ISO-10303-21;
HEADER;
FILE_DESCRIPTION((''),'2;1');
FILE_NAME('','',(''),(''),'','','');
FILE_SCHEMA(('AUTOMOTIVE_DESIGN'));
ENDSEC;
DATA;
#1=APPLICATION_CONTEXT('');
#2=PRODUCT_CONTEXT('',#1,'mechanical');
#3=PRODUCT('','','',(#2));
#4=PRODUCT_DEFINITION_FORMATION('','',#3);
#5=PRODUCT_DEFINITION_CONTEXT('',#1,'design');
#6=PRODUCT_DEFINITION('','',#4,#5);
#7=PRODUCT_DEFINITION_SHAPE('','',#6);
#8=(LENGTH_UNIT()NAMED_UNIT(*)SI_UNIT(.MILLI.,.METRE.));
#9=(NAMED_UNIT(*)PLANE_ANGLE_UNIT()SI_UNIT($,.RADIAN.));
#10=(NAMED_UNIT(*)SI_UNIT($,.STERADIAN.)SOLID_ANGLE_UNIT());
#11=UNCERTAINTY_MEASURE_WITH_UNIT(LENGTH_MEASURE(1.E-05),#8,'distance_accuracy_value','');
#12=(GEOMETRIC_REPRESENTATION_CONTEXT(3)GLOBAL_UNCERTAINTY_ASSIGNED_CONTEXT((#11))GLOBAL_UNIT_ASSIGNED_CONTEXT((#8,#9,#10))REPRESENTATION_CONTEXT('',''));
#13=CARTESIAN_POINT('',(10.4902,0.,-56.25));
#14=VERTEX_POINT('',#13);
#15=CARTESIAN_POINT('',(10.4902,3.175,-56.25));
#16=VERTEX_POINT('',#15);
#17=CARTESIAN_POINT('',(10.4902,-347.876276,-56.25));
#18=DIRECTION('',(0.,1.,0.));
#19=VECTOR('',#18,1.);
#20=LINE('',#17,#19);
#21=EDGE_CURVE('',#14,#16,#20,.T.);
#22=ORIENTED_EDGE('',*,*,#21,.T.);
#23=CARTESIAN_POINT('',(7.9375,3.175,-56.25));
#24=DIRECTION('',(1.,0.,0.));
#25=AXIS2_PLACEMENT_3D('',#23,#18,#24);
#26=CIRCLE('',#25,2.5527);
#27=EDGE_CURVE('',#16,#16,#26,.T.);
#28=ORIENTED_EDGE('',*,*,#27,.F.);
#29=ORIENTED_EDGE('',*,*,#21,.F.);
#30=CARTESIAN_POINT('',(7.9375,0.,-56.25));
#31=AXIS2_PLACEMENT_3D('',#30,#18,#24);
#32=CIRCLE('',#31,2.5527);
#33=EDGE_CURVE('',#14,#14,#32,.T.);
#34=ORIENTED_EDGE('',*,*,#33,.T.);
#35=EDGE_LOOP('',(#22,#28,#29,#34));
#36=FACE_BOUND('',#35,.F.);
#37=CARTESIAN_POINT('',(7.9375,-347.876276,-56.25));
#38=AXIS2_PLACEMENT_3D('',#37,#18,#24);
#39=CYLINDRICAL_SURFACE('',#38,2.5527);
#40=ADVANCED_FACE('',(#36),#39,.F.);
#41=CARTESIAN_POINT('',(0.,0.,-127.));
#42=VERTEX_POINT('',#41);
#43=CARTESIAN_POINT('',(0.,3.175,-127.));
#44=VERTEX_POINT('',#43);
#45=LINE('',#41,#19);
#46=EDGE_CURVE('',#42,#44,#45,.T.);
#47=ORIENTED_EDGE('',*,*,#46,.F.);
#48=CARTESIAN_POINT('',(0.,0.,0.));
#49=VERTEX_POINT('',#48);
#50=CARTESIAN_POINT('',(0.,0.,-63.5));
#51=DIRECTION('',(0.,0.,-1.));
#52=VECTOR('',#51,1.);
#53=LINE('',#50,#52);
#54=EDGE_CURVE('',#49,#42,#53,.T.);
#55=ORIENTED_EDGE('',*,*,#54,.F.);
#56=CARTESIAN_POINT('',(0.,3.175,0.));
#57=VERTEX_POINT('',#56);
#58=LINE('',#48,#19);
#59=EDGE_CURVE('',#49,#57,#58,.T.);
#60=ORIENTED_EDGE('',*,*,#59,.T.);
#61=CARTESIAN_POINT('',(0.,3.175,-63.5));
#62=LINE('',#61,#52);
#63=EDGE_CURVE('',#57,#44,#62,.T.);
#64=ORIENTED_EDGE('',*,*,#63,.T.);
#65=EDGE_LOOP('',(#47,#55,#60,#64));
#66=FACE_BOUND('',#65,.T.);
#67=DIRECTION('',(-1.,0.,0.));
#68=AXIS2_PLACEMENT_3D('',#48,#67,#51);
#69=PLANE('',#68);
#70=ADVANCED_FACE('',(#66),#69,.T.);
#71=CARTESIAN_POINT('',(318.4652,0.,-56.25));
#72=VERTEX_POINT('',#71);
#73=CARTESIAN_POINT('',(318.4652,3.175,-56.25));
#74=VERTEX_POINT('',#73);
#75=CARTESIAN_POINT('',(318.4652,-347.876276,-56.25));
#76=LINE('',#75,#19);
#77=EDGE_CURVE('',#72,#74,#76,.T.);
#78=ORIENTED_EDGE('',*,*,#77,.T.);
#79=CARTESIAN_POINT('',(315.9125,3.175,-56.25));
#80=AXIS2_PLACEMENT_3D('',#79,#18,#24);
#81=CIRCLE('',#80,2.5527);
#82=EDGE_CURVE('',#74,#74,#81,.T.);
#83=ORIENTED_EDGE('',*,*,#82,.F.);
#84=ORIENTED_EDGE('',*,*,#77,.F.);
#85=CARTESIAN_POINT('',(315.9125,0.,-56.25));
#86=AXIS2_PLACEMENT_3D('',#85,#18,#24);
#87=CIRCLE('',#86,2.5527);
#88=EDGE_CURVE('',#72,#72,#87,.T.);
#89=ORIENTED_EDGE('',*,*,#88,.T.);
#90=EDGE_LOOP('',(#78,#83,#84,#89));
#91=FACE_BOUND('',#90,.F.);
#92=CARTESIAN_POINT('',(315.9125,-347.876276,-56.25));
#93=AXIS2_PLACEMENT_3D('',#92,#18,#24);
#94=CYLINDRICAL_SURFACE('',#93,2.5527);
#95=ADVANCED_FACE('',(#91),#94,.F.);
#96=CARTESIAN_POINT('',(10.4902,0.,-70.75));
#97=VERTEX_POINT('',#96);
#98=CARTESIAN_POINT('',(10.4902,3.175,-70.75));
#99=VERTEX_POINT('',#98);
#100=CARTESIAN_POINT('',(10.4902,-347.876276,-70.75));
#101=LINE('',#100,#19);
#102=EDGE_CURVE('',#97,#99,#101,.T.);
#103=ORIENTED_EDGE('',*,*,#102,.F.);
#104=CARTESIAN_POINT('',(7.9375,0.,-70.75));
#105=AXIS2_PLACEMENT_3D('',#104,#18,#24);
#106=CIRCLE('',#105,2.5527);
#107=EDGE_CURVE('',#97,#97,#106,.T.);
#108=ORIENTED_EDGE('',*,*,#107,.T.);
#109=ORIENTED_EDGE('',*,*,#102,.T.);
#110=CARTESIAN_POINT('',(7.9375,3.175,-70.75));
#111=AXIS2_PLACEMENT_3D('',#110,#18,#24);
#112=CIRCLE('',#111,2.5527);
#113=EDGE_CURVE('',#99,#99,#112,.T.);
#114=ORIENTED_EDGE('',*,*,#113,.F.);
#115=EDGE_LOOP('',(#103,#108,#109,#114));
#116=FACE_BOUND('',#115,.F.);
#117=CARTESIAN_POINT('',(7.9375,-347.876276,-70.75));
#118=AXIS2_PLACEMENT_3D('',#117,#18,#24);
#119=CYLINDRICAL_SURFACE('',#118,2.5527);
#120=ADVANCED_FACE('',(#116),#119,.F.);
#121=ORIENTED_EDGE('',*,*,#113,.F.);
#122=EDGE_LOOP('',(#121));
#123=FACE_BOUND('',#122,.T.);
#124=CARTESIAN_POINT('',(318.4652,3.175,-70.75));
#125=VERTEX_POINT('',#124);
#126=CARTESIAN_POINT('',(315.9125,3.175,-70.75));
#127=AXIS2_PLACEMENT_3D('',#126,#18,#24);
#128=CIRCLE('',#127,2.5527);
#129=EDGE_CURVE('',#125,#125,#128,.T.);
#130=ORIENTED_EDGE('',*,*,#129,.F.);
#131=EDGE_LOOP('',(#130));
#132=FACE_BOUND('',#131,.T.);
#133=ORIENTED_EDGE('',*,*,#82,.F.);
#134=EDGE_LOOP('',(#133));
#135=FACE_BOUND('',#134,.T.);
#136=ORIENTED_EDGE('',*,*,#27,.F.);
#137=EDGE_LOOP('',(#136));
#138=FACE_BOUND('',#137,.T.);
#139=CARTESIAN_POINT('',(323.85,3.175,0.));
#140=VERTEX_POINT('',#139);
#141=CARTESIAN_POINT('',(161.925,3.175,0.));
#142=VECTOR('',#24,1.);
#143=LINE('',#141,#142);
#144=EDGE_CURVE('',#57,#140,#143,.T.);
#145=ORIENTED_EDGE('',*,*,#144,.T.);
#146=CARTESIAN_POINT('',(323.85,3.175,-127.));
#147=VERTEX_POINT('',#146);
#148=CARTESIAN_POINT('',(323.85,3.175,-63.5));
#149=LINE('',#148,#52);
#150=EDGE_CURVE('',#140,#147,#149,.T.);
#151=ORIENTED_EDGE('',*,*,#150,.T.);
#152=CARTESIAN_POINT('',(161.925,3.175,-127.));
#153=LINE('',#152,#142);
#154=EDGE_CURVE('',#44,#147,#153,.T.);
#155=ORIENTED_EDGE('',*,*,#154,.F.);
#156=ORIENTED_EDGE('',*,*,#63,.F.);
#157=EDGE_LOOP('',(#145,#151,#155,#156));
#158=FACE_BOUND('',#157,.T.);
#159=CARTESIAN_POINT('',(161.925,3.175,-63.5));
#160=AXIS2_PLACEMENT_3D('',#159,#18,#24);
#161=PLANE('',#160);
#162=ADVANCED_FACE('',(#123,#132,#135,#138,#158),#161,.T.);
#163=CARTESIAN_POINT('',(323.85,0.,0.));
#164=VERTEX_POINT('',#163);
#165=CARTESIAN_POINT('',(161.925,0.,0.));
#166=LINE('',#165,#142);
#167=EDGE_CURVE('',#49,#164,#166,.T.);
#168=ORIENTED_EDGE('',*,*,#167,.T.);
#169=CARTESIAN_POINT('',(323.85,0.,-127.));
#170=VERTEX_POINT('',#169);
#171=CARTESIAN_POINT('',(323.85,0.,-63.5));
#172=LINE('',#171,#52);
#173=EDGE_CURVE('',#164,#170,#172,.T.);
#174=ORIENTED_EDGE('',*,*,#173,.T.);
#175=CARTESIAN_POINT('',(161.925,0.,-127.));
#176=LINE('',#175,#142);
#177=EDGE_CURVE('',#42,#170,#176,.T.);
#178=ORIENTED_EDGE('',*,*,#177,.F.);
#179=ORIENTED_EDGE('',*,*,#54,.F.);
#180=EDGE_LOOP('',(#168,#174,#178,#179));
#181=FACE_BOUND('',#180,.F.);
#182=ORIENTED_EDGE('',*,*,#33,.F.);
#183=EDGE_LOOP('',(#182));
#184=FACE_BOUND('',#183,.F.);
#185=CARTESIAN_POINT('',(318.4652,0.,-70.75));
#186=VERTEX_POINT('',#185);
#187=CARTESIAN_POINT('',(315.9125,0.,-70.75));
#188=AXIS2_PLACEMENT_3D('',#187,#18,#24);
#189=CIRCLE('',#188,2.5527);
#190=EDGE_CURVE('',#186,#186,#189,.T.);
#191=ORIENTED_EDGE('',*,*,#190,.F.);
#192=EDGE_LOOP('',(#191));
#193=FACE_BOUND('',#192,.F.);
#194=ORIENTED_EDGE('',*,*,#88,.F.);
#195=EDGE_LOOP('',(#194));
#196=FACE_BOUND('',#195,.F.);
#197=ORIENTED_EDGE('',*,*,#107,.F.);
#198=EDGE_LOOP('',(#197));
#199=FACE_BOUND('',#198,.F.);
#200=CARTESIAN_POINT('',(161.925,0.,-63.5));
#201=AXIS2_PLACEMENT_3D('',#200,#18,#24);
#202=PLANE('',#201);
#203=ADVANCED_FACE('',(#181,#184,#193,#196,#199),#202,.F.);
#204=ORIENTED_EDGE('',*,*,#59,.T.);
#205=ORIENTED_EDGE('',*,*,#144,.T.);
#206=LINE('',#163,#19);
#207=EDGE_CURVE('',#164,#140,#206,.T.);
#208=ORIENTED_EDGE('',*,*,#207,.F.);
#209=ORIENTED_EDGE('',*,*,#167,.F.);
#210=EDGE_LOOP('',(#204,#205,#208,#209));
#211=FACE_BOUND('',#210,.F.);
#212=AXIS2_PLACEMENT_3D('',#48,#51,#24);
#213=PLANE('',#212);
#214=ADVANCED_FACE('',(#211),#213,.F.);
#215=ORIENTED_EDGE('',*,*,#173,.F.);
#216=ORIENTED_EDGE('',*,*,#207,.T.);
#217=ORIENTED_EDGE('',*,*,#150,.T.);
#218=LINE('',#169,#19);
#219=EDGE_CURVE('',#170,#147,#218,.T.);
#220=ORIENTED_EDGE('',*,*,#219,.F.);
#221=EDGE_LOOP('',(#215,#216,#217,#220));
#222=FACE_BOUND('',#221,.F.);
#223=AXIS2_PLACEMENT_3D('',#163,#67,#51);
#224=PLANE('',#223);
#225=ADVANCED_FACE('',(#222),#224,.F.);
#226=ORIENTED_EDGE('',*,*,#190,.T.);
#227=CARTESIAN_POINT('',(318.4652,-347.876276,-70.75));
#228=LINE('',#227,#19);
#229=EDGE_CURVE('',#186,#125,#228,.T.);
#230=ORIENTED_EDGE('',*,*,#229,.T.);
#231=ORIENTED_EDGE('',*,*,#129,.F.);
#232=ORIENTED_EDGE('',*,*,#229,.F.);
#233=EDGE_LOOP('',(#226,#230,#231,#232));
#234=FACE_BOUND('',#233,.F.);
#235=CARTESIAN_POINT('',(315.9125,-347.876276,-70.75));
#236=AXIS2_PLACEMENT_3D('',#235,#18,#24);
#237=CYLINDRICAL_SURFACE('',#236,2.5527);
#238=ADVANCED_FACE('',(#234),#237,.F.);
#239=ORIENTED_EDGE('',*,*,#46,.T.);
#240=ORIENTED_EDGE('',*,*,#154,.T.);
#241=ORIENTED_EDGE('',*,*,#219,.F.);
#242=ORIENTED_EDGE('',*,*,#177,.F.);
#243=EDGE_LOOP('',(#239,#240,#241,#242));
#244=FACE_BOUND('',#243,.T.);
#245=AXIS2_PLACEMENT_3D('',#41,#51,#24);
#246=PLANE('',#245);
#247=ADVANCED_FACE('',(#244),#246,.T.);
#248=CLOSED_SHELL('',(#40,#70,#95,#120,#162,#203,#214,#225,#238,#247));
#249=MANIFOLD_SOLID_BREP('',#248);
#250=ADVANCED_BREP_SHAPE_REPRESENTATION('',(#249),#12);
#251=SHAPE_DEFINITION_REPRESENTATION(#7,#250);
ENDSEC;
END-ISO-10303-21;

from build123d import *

# Parameters (mm, degrees)
SKETCH1_W              = 323.85
SKETCH1_H              = 127
BOSS_EXTRUDE1_DEPTH    = 3.175
F_10_CLEARANCE_HOLE1_D = 5.1054


with BuildPart() as part:
    # Sketch1 → Boss-Extrude1 (new body)
    with BuildSketch(Plane(origin=(0, 0, 0), x_dir=(1, 0, 0), z_dir=(0, 1, 0))):
        with Locations((161.925, 63.5)):
            Rectangle(SKETCH1_W, SKETCH1_H)
    extrude(amount=BOSS_EXTRUDE1_DEPTH)

    # #10 Clearance Hole1 (through all)
    with Locations(Plane(origin=(0, 0, 0), x_dir=(-1, 0, 0), z_dir=(0, -1, 0))):
        with Locations((-315.9125, 56.25), (-315.9125, 70.75), (-7.9375, 70.75), (-7.9375, 56.25)):
            Hole(F_10_CLEARANCE_HOLE1_D / 2)


solid = part.part
